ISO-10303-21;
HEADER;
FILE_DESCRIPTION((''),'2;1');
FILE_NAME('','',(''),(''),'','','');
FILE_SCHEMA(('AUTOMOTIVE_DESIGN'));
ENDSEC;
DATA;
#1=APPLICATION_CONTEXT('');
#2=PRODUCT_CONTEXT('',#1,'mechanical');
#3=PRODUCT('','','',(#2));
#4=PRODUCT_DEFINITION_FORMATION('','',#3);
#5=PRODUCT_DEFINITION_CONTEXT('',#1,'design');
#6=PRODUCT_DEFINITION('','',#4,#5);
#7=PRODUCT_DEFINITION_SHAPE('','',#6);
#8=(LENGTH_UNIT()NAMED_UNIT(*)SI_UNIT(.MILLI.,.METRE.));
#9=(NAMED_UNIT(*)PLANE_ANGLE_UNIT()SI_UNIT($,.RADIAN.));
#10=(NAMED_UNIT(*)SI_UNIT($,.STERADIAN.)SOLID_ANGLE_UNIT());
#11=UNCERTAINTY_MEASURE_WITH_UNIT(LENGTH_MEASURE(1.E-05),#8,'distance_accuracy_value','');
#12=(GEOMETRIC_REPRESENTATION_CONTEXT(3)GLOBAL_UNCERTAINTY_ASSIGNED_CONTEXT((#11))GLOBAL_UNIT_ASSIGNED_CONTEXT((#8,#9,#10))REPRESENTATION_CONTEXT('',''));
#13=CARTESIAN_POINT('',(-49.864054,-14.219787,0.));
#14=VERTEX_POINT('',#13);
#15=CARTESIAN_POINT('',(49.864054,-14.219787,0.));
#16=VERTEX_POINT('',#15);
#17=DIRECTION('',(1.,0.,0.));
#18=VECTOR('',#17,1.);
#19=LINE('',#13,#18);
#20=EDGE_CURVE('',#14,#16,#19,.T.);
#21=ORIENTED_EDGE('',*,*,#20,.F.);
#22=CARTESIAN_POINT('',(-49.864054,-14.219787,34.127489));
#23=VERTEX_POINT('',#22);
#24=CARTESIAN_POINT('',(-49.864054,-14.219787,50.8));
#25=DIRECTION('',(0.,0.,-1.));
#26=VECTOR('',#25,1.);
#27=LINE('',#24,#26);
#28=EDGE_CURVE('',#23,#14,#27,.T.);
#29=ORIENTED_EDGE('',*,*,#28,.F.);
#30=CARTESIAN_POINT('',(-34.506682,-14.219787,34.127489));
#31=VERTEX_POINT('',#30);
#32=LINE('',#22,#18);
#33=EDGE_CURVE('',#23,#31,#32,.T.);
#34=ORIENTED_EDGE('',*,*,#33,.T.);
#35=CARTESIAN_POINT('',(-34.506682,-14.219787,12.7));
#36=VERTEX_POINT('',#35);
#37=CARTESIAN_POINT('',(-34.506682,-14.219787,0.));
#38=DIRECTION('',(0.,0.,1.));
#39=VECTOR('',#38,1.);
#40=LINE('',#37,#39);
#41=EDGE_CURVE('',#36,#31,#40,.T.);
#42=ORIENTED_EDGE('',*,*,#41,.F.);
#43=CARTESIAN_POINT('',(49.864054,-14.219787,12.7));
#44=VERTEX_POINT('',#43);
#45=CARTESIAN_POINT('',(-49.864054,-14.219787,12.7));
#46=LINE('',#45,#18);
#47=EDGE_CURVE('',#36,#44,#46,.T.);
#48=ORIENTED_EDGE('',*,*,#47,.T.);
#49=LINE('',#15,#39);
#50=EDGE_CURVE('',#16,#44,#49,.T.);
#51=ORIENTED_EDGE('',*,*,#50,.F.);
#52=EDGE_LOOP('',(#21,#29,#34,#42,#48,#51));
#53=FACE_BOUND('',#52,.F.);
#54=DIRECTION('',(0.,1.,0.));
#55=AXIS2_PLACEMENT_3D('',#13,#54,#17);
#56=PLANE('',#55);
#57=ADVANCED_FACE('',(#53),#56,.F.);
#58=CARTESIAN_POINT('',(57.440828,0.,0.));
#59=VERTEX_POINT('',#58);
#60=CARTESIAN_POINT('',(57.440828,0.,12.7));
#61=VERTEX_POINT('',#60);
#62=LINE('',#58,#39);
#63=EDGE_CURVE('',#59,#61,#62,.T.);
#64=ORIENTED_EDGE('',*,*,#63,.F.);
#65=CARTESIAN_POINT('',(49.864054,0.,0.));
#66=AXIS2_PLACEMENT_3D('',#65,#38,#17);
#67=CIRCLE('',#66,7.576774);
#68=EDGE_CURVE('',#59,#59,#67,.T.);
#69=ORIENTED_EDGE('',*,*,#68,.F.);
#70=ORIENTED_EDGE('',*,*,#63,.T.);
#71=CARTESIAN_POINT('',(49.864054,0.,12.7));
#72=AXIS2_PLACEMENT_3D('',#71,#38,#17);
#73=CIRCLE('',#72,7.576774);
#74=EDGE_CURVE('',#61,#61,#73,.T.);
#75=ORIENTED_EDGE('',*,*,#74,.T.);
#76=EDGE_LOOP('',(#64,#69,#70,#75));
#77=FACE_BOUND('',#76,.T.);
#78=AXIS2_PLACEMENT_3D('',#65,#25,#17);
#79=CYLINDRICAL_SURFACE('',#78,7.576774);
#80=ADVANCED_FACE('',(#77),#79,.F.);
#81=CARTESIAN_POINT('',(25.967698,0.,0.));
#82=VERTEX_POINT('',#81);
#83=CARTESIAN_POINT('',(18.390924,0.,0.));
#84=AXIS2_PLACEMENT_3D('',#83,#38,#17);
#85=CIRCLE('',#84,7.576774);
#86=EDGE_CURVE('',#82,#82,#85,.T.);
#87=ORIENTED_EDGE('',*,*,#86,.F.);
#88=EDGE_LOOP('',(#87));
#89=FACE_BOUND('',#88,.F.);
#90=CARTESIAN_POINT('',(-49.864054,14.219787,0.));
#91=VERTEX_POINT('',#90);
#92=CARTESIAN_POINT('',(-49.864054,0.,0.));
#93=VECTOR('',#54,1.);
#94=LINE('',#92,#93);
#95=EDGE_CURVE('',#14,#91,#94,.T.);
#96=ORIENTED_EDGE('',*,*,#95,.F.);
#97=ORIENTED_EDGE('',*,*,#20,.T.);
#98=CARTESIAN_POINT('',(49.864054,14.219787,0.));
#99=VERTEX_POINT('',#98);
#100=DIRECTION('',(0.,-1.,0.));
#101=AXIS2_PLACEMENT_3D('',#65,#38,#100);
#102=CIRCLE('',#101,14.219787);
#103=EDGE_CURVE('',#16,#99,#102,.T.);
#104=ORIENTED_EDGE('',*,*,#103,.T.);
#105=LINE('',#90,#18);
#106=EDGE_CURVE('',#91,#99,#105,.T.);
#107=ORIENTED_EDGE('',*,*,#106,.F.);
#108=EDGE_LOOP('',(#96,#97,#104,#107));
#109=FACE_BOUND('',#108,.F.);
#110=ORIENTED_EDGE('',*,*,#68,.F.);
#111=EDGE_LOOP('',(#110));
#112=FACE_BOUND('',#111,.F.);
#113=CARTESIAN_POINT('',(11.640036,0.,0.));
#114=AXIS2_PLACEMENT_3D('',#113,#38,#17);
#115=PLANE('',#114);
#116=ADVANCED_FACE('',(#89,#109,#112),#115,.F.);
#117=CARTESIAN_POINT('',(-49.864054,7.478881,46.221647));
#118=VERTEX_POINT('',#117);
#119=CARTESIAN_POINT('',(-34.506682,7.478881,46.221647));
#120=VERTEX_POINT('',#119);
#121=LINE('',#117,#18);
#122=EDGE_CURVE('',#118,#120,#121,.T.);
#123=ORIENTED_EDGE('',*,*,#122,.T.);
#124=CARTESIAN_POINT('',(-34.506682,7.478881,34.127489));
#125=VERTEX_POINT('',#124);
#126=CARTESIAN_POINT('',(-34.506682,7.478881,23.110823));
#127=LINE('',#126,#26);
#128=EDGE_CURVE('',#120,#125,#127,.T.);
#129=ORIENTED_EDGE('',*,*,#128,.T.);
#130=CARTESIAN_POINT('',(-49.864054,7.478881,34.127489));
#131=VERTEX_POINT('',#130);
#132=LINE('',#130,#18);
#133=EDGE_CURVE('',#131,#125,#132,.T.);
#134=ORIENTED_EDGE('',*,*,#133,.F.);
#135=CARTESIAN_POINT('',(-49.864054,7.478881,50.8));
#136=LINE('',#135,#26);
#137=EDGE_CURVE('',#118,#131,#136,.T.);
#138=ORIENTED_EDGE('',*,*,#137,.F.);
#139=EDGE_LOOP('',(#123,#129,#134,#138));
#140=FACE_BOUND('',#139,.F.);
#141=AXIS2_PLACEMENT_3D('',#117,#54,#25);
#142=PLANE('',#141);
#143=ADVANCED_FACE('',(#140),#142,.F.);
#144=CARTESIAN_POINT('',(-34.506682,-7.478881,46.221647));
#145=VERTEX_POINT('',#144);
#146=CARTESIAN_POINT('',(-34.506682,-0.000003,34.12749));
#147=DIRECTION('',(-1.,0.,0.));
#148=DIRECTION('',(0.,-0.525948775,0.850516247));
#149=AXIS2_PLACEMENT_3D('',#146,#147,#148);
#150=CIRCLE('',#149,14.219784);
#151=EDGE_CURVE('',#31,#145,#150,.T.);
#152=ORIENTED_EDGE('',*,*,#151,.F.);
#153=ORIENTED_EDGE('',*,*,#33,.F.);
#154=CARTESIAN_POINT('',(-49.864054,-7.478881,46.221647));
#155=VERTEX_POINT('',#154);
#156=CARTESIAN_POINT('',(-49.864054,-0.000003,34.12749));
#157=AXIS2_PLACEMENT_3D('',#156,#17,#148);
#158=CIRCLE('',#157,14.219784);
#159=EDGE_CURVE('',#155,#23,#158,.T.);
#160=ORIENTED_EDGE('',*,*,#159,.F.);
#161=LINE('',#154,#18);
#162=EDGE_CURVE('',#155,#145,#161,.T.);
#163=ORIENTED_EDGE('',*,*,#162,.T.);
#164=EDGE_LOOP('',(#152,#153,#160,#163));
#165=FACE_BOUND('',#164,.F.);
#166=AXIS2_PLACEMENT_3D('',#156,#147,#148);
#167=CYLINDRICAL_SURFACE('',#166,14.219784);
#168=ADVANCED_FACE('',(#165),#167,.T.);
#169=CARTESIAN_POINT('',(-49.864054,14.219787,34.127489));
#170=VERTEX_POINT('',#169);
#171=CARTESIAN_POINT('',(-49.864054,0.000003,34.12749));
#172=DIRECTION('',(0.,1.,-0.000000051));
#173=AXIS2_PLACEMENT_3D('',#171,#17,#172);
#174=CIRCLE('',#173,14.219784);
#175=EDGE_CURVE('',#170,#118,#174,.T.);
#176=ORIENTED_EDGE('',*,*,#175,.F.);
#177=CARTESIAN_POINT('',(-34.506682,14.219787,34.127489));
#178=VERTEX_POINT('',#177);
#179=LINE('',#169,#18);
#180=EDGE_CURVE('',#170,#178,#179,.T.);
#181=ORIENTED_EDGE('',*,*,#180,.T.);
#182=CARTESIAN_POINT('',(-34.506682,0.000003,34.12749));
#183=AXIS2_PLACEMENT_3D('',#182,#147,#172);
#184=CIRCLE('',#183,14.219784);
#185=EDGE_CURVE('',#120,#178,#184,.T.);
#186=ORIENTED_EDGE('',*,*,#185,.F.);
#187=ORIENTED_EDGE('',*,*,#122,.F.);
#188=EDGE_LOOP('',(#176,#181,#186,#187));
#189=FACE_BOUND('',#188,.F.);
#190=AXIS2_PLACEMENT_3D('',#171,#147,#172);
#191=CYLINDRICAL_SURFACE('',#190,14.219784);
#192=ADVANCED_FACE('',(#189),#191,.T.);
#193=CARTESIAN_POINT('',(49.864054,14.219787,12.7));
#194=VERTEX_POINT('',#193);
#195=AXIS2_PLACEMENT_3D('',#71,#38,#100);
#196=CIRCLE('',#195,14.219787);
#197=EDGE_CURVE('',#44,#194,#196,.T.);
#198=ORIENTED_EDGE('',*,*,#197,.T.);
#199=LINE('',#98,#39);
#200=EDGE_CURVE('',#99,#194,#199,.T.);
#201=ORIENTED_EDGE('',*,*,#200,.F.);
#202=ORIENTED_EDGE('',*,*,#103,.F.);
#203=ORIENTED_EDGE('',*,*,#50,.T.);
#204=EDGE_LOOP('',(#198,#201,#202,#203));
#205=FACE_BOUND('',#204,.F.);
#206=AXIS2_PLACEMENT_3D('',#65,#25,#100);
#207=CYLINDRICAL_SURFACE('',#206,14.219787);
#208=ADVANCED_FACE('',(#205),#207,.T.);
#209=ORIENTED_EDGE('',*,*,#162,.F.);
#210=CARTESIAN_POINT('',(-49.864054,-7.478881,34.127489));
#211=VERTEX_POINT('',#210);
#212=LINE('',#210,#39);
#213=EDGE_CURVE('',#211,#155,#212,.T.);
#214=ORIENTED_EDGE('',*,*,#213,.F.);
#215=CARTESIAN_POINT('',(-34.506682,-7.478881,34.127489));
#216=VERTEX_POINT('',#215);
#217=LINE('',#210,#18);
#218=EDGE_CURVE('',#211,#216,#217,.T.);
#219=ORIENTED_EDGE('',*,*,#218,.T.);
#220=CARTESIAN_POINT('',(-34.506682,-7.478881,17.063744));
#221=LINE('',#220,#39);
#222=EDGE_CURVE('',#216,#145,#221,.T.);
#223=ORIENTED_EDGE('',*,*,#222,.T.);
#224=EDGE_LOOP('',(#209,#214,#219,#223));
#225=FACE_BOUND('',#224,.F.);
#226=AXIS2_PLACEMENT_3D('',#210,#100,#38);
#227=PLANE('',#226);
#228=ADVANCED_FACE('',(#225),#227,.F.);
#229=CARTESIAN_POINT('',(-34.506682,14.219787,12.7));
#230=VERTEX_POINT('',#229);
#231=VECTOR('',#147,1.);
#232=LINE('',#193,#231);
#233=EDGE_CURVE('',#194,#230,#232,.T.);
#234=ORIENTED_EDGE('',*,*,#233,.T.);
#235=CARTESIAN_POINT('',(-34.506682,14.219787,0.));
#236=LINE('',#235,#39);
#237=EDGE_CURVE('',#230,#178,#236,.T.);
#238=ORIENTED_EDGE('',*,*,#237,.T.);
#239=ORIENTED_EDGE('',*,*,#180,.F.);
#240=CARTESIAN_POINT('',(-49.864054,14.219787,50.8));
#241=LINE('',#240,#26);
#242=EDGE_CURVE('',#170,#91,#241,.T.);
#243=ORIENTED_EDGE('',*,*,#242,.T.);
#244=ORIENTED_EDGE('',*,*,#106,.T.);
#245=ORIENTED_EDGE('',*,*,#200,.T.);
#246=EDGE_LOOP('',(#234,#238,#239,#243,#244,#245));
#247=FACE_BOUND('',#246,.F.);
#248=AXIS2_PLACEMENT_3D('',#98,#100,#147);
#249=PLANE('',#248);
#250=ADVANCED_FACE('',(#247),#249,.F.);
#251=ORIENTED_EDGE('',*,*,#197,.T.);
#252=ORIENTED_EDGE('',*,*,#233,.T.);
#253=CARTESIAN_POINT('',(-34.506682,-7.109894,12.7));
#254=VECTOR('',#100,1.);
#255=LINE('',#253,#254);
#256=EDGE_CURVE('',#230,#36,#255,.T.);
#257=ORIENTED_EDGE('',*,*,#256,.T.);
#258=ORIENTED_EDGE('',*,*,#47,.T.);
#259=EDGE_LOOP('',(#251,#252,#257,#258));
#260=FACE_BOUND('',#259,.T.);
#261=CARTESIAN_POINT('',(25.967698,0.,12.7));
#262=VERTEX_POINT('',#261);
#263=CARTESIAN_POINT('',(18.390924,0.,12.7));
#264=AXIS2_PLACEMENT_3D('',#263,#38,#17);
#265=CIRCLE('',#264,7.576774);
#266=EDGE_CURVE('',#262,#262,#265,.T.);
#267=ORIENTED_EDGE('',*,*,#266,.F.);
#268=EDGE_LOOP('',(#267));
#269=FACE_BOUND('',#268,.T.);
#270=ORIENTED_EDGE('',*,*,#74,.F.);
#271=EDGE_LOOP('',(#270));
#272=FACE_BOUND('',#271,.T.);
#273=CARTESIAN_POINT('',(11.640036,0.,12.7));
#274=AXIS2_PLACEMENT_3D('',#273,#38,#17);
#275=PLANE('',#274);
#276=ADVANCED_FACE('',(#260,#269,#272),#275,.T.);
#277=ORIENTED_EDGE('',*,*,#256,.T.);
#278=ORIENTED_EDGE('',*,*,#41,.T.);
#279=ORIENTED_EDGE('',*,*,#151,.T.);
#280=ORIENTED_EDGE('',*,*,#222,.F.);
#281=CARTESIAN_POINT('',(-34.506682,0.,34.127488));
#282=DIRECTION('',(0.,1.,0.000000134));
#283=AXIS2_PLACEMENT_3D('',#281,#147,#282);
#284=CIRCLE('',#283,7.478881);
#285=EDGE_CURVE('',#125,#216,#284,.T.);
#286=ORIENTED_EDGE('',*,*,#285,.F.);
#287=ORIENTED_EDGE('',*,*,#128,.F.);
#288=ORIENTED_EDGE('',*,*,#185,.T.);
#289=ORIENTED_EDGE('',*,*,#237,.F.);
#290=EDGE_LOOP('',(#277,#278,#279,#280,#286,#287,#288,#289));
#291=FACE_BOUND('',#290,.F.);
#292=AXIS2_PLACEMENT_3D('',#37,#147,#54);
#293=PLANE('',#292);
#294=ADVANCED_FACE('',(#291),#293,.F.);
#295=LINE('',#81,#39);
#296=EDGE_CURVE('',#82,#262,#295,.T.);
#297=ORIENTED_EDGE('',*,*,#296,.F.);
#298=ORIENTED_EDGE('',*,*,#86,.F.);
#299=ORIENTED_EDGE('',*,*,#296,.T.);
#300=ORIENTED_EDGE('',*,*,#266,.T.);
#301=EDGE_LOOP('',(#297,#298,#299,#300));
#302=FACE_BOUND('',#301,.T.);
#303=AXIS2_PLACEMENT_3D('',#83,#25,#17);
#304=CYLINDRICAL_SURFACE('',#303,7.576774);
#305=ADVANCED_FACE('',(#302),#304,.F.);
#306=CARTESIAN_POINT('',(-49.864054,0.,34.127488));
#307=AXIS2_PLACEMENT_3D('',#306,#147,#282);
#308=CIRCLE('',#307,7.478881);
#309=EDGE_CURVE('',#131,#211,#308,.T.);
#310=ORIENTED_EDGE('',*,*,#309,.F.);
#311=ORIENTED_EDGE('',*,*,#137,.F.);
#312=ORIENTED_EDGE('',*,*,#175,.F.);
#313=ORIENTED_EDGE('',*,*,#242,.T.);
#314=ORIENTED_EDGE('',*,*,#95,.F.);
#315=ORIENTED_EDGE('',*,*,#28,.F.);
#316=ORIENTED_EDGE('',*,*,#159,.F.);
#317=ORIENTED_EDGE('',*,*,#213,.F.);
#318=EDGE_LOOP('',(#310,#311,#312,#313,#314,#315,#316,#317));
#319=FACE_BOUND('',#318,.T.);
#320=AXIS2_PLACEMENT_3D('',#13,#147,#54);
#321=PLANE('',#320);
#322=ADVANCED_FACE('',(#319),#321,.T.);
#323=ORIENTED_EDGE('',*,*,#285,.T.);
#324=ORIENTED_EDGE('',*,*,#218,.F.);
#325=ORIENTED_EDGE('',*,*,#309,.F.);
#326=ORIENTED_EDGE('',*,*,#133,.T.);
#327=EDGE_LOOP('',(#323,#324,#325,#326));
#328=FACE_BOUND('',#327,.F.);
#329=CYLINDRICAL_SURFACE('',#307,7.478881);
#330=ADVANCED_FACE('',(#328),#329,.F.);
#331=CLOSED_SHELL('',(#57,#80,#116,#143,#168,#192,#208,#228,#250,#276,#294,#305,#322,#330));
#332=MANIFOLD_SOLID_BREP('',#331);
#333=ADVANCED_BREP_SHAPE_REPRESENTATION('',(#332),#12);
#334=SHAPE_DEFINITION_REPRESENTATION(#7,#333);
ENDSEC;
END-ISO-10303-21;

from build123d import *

# Parameters (mm, degrees)
F0_R     = 7.576774
F0_W     = 15.357372
F0_H     = 28.439574
F1_DEPTH = 12.7
F2_DEPTH = 50.8
F4_DEPTH = 113.948894
F5_DEPTH = 113.948894


with BuildPart() as f1:
    # F0 (on Top) → F1 (new body)
    with BuildSketch(Plane.XY):
        with BuildLine():
            ThreePointArc((49.864054, -14.219787), (64.083841, 0), (49.864054, 14.219787))
            Line((49.864054, 14.219787), (-34.506682, 14.219787))
            Line((-34.506682, 14.219787), (-34.506682, -14.219787))
            Line((-34.506682, -14.219787), (49.864054, -14.219787))
        make_face()
        with Locations((18.390924, 0)):
            Circle(F0_R, mode=Mode.SUBTRACT)
        with Locations((49.864054, 0)):
            Circle(F0_R, mode=Mode.SUBTRACT)
        with Locations((-42.185368, 0)):
            Rectangle(F0_W, F0_H)
    extrude(amount=F1_DEPTH)

    # F0 (on Top) → F2 (join)
    with BuildSketch(Plane.XY):
        with Locations((-42.185368, 0)):
            Rectangle(F0_W, F0_H)
    extrude(amount=F2_DEPTH)

    # F3 (on face) → F4 (cut, through all)
    with BuildSketch(Plane(origin=(-49.864054, 0, 0), x_dir=(0, -1, 0), z_dir=(-1, 0, 0))):
        with BuildLine():
            ThreePointArc((7.478881, 46.221647), (12.420758, 41.05043), (14.219787, 34.127489))
            Line((14.219787, 34.127489), (14.219787, 50.8))
            Line((14.219787, 50.8), (7.478881, 50.8))
            Line((7.478881, 50.8), (7.478881, 46.221647))
        make_face()
        with BuildLine():
            Line((7.478881, 34.127489), (7.478881, 46.221647))
            Line((7.478881, 46.221647), (7.478881, 50.8))
            Line((7.478881, 50.8), (-7.478881, 50.8))
            Line((-7.478881, 50.8), (-7.478881, 46.221647))
            Line((-7.478881, 46.221647), (-7.478881, 34.127489))
            ThreePointArc((-7.478881, 34.127489), (0, 26.648607), (7.478881, 34.127489))
        make_face()
        with BuildLine():
            Line((-7.478881, 46.221647), (-7.478881, 50.8))
            Line((-7.478881, 50.8), (-14.219787, 50.8))
            Line((-14.219787, 50.8), (-14.219787, 34.127489))
            ThreePointArc((-14.219787, 34.127489), (-12.420758, 41.05043), (-7.478881, 46.221647))
        make_face()
    extrude(amount=-F4_DEPTH, mode=Mode.SUBTRACT)

    # F3 (on face) → F5 (cut, through all)
    with BuildSketch(Plane(origin=(-49.864054, 0, 0), x_dir=(0, -1, 0), z_dir=(-1, 0, 0))):
        with BuildLine():
            ThreePointArc((7.478881, 46.221647), (12.420758, 41.05043), (14.219787, 34.127489))
            Line((14.219787, 34.127489), (14.219787, 50.8))
            Line((14.219787, 50.8), (7.478881, 50.8))
            Line((7.478881, 50.8), (7.478881, 46.221647))
        make_face()
        with BuildLine():
            Line((7.478881, 34.127489), (7.478881, 46.221647))
            Line((7.478881, 46.221647), (7.478881, 50.8))
            Line((7.478881, 50.8), (-7.478881, 50.8))
            Line((-7.478881, 50.8), (-7.478881, 46.221647))
            Line((-7.478881, 46.221647), (-7.478881, 34.127489))
            ThreePointArc((-7.478881, 34.127489), (0, 26.648607), (7.478881, 34.127489))
        make_face()
        with BuildLine():
            Line((-7.478881, 46.221647), (-7.478881, 50.8))
            Line((-7.478881, 50.8), (-14.219787, 50.8))
            Line((-14.219787, 50.8), (-14.219787, 34.127489))
            ThreePointArc((-14.219787, 34.127489), (-12.420758, 41.05043), (-7.478881, 46.221647))
        make_face()
    extrude(amount=-F5_DEPTH, mode=Mode.SUBTRACT)


solid = f1.part
